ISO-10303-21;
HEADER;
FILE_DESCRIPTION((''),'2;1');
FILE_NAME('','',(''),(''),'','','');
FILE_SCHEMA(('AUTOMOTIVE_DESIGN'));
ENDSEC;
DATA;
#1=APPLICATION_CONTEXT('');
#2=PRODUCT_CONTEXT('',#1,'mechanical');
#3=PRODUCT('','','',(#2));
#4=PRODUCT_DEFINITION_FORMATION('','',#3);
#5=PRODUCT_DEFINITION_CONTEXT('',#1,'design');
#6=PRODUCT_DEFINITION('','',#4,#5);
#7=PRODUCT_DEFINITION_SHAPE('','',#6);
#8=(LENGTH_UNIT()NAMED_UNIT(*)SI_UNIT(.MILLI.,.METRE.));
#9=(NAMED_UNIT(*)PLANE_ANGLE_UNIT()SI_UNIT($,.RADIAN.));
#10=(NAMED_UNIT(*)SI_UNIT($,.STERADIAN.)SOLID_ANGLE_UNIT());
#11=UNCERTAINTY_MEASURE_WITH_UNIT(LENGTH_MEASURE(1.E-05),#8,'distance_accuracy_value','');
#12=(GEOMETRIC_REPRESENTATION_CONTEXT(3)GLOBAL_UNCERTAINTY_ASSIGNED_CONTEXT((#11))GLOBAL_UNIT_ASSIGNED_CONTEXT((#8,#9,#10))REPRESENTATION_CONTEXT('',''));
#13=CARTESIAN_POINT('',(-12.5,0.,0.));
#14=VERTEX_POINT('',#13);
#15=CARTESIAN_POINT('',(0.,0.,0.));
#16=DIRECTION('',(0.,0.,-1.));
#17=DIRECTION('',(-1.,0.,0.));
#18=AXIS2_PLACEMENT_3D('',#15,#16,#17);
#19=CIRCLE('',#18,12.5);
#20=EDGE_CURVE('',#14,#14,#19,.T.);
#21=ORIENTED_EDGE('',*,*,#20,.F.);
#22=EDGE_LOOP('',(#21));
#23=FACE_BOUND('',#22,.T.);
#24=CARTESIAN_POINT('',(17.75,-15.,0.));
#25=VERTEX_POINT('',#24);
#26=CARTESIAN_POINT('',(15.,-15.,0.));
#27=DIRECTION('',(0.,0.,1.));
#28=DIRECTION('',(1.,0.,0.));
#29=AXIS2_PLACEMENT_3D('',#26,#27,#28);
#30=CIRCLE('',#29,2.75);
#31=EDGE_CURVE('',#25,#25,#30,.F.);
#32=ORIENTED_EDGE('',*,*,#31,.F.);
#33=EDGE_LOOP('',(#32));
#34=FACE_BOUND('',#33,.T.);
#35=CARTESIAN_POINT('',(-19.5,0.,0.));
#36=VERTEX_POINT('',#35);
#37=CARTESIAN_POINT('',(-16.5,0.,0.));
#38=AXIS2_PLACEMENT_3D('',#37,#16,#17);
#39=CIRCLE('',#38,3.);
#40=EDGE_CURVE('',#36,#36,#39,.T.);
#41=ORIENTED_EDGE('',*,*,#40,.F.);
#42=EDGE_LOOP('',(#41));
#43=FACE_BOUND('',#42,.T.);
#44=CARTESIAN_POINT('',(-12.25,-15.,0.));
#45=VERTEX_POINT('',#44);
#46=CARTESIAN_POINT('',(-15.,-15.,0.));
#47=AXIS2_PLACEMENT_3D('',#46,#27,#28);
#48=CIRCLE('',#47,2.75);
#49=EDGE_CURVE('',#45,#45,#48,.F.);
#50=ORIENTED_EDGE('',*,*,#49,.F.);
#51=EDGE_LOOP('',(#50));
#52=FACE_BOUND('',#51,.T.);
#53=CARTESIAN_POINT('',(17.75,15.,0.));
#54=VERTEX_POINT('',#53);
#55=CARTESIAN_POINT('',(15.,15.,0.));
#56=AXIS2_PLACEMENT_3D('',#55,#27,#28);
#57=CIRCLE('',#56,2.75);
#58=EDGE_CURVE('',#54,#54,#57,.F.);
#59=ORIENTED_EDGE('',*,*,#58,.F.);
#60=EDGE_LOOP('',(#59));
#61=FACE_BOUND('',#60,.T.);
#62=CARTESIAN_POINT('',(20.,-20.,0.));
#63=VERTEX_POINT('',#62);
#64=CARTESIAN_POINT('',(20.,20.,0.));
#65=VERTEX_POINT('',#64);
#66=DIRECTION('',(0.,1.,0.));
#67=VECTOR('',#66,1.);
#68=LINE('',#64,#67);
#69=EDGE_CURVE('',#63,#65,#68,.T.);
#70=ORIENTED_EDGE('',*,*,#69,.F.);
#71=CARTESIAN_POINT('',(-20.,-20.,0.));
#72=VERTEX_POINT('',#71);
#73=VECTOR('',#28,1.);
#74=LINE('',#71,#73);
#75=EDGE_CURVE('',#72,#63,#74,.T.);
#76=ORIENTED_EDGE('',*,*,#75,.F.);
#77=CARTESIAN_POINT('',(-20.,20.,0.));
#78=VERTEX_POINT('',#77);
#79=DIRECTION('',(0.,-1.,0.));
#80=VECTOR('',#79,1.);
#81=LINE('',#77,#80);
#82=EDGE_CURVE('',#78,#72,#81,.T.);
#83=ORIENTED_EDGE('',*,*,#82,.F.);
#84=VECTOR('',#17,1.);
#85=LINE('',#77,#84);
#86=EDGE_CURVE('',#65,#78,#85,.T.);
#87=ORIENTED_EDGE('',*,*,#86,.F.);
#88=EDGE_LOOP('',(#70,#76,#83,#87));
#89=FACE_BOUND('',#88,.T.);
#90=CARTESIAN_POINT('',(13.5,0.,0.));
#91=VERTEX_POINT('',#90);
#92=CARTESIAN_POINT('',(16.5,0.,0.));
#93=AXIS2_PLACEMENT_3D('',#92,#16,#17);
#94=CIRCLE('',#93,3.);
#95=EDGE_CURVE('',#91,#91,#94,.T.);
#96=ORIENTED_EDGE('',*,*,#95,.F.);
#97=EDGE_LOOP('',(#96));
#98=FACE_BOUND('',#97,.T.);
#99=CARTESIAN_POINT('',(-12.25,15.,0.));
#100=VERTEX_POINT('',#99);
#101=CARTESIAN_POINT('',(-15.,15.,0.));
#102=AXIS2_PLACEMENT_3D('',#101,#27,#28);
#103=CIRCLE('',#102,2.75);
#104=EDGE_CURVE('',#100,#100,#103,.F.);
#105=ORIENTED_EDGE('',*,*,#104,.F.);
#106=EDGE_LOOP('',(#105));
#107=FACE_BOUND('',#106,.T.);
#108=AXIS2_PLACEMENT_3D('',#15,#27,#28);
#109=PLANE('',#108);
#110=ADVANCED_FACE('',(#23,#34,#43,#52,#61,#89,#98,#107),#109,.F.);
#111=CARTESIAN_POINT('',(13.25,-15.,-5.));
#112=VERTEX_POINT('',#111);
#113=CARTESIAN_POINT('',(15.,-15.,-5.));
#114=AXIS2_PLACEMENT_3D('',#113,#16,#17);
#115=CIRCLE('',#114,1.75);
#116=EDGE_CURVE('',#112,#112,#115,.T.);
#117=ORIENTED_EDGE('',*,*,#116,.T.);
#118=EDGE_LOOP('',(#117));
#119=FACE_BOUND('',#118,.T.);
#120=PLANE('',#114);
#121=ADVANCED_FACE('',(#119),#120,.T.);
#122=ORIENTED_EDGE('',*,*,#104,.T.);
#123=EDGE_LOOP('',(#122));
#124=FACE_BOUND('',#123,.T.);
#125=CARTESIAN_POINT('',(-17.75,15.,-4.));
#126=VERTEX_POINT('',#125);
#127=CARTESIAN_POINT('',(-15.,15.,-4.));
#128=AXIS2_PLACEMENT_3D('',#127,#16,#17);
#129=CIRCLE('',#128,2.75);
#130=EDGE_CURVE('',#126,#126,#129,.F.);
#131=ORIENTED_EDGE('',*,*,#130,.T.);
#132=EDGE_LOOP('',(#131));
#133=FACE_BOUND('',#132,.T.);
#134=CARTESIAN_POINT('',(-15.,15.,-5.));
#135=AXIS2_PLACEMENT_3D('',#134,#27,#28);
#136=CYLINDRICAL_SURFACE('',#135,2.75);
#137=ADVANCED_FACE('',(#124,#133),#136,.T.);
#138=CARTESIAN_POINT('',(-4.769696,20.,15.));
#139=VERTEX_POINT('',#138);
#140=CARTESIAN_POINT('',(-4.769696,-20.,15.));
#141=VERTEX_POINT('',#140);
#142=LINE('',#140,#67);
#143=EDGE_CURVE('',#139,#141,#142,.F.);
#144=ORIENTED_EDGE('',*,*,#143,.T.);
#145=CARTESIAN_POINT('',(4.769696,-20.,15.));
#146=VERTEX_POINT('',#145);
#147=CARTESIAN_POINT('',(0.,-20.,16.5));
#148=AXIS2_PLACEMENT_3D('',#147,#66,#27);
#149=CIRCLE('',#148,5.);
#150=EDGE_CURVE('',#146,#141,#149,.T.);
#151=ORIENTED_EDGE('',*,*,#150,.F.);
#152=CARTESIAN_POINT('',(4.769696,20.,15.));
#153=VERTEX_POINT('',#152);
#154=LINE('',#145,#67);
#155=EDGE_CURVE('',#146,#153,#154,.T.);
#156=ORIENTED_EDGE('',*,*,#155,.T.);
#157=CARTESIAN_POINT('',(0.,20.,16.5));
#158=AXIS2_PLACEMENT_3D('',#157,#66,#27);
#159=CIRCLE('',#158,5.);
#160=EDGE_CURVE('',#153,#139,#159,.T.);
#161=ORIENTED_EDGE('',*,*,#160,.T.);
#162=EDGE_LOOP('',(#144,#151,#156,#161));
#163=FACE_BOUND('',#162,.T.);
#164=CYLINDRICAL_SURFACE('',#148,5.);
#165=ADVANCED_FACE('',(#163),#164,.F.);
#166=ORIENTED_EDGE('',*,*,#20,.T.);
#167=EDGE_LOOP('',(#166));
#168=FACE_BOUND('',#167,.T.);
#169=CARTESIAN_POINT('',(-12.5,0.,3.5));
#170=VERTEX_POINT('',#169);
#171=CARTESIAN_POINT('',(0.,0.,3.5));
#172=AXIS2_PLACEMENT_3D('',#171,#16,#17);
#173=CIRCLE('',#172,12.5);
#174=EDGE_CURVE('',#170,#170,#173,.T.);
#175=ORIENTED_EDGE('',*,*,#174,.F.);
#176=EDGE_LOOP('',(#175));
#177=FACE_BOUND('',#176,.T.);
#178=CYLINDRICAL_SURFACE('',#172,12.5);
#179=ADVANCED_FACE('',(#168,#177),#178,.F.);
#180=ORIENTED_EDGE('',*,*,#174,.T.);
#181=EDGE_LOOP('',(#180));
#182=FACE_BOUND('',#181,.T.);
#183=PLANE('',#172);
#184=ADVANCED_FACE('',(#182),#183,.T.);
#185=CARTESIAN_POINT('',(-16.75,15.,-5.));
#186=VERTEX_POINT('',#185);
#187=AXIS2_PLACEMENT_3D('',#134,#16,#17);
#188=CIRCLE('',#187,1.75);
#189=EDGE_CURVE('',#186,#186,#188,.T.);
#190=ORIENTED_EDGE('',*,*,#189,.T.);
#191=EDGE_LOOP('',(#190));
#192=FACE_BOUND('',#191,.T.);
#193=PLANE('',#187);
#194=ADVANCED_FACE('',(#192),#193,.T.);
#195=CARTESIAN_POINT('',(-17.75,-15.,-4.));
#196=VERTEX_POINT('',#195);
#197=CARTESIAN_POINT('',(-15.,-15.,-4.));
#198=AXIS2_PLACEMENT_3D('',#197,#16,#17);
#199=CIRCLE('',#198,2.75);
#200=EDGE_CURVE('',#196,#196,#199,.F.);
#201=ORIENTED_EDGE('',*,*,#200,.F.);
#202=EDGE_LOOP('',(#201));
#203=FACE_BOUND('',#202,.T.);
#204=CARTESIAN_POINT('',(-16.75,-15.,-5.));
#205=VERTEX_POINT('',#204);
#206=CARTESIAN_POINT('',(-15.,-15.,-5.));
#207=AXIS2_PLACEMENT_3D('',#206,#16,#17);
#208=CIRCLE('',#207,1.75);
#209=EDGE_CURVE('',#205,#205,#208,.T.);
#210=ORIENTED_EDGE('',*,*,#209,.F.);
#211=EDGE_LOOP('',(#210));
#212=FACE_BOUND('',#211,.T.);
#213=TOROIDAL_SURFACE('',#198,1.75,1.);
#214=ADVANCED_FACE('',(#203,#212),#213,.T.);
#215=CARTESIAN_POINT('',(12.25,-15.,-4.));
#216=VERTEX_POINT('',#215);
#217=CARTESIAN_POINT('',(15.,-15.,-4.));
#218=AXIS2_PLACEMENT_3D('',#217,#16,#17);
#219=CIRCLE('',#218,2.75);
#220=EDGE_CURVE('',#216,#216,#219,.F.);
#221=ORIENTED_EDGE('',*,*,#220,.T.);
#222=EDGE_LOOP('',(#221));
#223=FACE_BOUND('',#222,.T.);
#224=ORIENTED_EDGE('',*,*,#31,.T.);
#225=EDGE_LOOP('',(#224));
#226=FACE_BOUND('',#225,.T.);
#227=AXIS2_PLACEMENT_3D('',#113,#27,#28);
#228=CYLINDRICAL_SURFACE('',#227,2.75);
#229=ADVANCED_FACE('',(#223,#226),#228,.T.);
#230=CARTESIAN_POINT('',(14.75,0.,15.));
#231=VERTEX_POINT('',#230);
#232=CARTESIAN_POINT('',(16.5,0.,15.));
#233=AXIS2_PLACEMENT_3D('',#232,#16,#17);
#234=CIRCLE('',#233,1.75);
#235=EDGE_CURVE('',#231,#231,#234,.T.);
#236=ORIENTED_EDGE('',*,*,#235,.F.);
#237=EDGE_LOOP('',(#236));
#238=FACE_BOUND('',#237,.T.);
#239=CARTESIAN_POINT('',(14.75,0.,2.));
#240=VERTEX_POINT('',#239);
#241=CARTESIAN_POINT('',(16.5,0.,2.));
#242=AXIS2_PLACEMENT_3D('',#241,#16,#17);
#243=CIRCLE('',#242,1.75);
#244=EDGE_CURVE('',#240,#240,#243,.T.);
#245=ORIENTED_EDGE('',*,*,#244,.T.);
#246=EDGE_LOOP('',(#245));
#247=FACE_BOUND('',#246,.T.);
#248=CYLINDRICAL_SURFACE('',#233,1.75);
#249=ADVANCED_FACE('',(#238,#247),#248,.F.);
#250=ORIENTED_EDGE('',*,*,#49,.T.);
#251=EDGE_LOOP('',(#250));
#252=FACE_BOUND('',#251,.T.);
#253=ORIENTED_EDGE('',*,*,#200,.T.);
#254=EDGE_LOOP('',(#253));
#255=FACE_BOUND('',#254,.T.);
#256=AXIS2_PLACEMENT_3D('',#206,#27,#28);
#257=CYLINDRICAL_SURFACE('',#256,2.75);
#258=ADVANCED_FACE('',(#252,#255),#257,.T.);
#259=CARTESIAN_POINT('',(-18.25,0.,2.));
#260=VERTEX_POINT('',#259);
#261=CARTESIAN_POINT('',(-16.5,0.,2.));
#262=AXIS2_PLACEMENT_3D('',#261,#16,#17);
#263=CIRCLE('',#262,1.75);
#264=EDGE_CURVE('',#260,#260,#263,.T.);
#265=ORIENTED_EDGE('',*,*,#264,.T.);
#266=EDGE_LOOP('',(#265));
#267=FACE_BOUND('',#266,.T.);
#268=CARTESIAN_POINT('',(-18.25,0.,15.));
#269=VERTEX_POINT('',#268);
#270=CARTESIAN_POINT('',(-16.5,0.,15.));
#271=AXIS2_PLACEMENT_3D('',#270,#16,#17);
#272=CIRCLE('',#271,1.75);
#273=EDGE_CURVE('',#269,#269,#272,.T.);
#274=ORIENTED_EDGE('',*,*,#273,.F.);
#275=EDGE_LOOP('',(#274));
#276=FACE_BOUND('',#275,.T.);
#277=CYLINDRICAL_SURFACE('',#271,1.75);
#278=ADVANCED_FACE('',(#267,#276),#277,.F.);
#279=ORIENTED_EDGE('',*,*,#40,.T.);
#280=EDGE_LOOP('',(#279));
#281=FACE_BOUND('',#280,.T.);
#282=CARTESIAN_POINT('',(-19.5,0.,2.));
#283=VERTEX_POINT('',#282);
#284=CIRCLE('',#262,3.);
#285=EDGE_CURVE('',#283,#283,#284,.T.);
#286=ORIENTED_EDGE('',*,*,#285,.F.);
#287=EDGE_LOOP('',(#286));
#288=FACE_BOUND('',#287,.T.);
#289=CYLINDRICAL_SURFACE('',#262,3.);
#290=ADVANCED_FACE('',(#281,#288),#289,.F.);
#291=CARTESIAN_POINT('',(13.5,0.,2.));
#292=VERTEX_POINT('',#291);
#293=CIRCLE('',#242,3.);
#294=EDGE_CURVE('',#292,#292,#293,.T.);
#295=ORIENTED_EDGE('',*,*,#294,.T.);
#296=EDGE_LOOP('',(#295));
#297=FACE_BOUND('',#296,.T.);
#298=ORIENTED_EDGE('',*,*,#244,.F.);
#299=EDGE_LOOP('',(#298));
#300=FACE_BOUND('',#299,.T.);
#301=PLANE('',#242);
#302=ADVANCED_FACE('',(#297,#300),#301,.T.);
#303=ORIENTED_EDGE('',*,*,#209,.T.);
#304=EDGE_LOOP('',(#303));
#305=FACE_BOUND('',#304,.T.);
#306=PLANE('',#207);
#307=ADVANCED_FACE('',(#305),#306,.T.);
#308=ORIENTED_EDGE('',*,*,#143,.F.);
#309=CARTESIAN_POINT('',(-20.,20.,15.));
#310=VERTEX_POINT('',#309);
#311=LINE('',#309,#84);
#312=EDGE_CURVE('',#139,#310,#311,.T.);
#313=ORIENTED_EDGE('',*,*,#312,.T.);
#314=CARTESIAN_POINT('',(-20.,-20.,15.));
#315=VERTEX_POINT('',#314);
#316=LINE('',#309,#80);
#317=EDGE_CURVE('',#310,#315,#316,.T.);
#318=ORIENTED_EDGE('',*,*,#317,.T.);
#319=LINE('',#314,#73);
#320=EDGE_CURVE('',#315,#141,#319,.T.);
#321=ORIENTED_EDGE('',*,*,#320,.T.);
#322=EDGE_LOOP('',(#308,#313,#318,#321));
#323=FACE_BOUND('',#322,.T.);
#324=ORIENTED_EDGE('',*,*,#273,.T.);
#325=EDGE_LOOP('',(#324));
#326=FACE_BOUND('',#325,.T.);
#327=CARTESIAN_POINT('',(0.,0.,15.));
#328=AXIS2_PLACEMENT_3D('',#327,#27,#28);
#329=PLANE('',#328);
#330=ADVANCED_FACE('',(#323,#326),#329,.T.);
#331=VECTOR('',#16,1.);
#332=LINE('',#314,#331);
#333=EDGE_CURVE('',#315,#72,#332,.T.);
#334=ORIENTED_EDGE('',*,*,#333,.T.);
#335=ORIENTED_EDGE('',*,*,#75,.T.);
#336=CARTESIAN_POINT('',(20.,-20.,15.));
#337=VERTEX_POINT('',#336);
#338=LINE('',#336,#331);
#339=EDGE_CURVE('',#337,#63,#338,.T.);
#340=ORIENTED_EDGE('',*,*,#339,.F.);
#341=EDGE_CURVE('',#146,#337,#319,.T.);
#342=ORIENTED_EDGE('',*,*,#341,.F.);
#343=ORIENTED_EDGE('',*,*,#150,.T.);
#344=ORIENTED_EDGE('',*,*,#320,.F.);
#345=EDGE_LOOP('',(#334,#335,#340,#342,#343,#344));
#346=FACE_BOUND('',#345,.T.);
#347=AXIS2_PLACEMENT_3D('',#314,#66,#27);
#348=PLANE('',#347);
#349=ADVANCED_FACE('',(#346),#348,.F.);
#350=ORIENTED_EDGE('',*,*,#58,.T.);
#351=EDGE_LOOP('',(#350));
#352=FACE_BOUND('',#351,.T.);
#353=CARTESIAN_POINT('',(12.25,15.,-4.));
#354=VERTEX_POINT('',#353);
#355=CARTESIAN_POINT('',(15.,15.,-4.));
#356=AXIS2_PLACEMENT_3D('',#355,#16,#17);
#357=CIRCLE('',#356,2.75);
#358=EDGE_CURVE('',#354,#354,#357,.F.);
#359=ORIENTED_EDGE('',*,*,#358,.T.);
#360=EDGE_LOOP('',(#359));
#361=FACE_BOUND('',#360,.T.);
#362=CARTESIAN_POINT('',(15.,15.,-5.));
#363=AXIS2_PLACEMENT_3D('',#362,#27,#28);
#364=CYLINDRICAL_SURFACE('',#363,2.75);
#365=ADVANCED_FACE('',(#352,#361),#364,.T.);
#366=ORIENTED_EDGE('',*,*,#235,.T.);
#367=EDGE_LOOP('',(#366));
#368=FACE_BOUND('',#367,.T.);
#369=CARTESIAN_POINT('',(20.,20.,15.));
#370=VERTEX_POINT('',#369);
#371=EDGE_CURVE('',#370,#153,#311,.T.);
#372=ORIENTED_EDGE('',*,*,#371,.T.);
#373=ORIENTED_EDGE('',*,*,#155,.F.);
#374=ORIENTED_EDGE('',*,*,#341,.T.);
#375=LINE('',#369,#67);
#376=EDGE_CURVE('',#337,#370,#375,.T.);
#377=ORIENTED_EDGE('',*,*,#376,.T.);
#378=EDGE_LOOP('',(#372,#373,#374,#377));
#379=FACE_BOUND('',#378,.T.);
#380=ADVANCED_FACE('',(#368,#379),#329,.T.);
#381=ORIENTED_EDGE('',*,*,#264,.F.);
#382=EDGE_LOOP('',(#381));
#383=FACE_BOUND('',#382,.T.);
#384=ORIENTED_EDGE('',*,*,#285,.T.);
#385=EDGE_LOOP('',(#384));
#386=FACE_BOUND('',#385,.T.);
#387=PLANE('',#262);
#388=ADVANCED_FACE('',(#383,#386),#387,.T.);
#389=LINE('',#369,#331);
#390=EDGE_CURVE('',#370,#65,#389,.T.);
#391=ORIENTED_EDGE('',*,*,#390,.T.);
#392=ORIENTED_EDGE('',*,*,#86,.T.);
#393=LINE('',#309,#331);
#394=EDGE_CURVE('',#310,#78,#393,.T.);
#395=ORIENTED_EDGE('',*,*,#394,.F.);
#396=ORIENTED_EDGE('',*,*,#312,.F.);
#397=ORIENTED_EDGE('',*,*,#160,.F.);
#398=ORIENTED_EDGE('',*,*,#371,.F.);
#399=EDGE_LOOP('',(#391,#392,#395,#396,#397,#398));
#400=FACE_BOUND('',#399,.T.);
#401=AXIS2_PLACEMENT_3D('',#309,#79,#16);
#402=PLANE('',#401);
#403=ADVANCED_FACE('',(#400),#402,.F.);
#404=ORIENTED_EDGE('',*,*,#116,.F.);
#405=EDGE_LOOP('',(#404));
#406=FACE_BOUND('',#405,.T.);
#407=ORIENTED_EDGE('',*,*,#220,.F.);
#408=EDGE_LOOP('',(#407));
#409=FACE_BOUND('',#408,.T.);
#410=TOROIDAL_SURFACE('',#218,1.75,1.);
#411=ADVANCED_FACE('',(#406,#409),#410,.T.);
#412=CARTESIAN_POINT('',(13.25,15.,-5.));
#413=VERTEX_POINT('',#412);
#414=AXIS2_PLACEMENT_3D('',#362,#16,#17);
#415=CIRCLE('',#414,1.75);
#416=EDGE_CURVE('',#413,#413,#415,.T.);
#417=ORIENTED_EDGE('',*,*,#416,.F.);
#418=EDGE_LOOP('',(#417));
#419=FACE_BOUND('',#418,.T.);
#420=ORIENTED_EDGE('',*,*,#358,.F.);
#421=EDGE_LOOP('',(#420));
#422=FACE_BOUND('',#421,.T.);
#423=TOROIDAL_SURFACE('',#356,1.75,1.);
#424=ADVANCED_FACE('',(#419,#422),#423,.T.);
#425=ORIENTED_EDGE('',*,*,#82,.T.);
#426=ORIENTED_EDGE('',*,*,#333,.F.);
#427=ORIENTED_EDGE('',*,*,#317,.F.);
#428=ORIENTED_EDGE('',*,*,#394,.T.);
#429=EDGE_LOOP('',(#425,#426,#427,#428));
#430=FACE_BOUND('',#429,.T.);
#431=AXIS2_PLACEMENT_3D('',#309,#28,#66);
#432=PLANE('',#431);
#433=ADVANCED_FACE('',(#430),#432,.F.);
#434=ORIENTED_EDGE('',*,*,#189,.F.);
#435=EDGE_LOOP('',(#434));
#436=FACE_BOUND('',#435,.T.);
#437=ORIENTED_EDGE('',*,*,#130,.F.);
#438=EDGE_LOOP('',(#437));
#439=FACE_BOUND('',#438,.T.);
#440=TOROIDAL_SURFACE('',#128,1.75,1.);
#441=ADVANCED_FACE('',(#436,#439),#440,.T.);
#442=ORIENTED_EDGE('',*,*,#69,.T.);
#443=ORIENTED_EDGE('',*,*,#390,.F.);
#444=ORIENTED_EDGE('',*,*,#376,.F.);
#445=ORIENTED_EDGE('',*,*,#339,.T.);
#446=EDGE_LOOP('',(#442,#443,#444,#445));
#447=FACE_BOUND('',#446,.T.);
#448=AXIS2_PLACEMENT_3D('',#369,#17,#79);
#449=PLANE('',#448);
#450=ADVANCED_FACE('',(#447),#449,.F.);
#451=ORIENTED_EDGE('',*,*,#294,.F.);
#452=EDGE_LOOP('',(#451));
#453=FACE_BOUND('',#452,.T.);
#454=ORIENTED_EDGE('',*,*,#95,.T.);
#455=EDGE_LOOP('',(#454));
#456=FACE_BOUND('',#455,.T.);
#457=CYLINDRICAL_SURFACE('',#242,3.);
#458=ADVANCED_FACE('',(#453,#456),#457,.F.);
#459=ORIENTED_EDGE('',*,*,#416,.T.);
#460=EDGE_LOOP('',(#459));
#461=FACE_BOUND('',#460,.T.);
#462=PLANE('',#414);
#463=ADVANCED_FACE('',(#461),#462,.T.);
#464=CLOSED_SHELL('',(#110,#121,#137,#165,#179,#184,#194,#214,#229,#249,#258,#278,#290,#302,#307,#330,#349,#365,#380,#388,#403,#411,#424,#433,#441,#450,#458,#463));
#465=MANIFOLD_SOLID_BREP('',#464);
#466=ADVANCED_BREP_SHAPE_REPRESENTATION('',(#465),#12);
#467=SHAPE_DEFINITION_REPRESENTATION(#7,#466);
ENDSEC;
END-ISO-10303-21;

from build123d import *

# Parameters (mm, degrees)
SKETCH1_W           = 40
SKETCH1_H           = 40
BOSS_EXTRUDE1_DEPTH = 15
SKETCH3_R           = 2.75
BOSS_EXTRUDE2_DEPTH = 5
FILLET1_R           = 1
SKETCH4_R           = 12.5
CUT_EXTRUDE1_DEPTH  = 3.5
SKETCH5_R           = 5
CUT_EXTRUDE2_DEPTH  = 41
SKETCH6_R           = 3
CUT_EXTRUDE3_DEPTH  = 2
SKETCH7_R           = 1.75
CUT_EXTRUDE4_DEPTH  = 16


with BuildPart() as part:
    # Sketch1 → Boss-Extrude1 (new body)
    with BuildSketch(Plane.XY):
        Rectangle(SKETCH1_W, SKETCH1_H)
    extrude(amount=BOSS_EXTRUDE1_DEPTH)

    # Sketch3 → Boss-Extrude2 (add)
    with BuildSketch(Plane(origin=(0, 0, 0), x_dir=(-1, 0, 0), z_dir=(0, 0, -1))):
        with Locations(Location((-15, 15, 0), (0, 0, 180))):  # turned: the seam where the file's is
            Circle(SKETCH3_R)
        with Locations(Location((15, 15, 0), (0, 0, 180))):  # turned: the seam where the file's is
            Circle(SKETCH3_R)
        with Locations(Location((-15, -15, 0), (0, 0, 180))):  # turned: the seam where the file's is
            Circle(SKETCH3_R)
        with Locations(Location((15, -15, 0), (0, 0, 180))):  # turned: the seam where the file's is
            Circle(SKETCH3_R)
    extrude(amount=BOSS_EXTRUDE2_DEPTH)

    # Fillet1
    fillet1_edges = [part.edges().sort_by_distance(p)[0] for p in [
        (12.25, 15, -5),
        (-17.75, 15, -5),
        (12.25, -15, -5),
        (-17.75, -15, -5),
    ]]
    fillet(fillet1_edges, radius=FILLET1_R)

    # Sketch4 → Cut-Extrude1 (cut)
    with BuildSketch(Plane(origin=(0, 0, 0), x_dir=(-1, 0, 0), z_dir=(0, 0, -1))):
        Circle(SKETCH4_R)
    extrude(amount=-CUT_EXTRUDE1_DEPTH, mode=Mode.SUBTRACT)

    # Sketch5 → Cut-Extrude2 (cut, through all)
    with BuildSketch(Plane(origin=(0, 20, 0), x_dir=(1, 0, 0), z_dir=(0, 1, 0))):
        with Locations((0, -16.5)):
            Circle(SKETCH5_R)
    extrude(amount=-CUT_EXTRUDE2_DEPTH, mode=Mode.SUBTRACT)

    # Sketch6 → Cut-Extrude3 (cut)
    with BuildSketch(Plane(origin=(0, 0, 0), x_dir=(-1, 0, 0), z_dir=(0, 0, -1))):
        with Locations((-16.5, 0)):
            Circle(SKETCH6_R)
        with Locations((16.5, 0)):
            Circle(SKETCH6_R)
    extrude(amount=-CUT_EXTRUDE3_DEPTH, mode=Mode.SUBTRACT)

    # Sketch7 → Cut-Extrude4 (cut, through all)
    with BuildSketch(Plane(origin=(0, 0, 0), x_dir=(-1, 0, 0), z_dir=(0, 0, -1))):
        with Locations((16.5, 0)):
            Circle(SKETCH7_R)
        with Locations((-16.5, 0)):
            Circle(SKETCH7_R)
    extrude(amount=-CUT_EXTRUDE4_DEPTH, mode=Mode.SUBTRACT)


solid = part.part
